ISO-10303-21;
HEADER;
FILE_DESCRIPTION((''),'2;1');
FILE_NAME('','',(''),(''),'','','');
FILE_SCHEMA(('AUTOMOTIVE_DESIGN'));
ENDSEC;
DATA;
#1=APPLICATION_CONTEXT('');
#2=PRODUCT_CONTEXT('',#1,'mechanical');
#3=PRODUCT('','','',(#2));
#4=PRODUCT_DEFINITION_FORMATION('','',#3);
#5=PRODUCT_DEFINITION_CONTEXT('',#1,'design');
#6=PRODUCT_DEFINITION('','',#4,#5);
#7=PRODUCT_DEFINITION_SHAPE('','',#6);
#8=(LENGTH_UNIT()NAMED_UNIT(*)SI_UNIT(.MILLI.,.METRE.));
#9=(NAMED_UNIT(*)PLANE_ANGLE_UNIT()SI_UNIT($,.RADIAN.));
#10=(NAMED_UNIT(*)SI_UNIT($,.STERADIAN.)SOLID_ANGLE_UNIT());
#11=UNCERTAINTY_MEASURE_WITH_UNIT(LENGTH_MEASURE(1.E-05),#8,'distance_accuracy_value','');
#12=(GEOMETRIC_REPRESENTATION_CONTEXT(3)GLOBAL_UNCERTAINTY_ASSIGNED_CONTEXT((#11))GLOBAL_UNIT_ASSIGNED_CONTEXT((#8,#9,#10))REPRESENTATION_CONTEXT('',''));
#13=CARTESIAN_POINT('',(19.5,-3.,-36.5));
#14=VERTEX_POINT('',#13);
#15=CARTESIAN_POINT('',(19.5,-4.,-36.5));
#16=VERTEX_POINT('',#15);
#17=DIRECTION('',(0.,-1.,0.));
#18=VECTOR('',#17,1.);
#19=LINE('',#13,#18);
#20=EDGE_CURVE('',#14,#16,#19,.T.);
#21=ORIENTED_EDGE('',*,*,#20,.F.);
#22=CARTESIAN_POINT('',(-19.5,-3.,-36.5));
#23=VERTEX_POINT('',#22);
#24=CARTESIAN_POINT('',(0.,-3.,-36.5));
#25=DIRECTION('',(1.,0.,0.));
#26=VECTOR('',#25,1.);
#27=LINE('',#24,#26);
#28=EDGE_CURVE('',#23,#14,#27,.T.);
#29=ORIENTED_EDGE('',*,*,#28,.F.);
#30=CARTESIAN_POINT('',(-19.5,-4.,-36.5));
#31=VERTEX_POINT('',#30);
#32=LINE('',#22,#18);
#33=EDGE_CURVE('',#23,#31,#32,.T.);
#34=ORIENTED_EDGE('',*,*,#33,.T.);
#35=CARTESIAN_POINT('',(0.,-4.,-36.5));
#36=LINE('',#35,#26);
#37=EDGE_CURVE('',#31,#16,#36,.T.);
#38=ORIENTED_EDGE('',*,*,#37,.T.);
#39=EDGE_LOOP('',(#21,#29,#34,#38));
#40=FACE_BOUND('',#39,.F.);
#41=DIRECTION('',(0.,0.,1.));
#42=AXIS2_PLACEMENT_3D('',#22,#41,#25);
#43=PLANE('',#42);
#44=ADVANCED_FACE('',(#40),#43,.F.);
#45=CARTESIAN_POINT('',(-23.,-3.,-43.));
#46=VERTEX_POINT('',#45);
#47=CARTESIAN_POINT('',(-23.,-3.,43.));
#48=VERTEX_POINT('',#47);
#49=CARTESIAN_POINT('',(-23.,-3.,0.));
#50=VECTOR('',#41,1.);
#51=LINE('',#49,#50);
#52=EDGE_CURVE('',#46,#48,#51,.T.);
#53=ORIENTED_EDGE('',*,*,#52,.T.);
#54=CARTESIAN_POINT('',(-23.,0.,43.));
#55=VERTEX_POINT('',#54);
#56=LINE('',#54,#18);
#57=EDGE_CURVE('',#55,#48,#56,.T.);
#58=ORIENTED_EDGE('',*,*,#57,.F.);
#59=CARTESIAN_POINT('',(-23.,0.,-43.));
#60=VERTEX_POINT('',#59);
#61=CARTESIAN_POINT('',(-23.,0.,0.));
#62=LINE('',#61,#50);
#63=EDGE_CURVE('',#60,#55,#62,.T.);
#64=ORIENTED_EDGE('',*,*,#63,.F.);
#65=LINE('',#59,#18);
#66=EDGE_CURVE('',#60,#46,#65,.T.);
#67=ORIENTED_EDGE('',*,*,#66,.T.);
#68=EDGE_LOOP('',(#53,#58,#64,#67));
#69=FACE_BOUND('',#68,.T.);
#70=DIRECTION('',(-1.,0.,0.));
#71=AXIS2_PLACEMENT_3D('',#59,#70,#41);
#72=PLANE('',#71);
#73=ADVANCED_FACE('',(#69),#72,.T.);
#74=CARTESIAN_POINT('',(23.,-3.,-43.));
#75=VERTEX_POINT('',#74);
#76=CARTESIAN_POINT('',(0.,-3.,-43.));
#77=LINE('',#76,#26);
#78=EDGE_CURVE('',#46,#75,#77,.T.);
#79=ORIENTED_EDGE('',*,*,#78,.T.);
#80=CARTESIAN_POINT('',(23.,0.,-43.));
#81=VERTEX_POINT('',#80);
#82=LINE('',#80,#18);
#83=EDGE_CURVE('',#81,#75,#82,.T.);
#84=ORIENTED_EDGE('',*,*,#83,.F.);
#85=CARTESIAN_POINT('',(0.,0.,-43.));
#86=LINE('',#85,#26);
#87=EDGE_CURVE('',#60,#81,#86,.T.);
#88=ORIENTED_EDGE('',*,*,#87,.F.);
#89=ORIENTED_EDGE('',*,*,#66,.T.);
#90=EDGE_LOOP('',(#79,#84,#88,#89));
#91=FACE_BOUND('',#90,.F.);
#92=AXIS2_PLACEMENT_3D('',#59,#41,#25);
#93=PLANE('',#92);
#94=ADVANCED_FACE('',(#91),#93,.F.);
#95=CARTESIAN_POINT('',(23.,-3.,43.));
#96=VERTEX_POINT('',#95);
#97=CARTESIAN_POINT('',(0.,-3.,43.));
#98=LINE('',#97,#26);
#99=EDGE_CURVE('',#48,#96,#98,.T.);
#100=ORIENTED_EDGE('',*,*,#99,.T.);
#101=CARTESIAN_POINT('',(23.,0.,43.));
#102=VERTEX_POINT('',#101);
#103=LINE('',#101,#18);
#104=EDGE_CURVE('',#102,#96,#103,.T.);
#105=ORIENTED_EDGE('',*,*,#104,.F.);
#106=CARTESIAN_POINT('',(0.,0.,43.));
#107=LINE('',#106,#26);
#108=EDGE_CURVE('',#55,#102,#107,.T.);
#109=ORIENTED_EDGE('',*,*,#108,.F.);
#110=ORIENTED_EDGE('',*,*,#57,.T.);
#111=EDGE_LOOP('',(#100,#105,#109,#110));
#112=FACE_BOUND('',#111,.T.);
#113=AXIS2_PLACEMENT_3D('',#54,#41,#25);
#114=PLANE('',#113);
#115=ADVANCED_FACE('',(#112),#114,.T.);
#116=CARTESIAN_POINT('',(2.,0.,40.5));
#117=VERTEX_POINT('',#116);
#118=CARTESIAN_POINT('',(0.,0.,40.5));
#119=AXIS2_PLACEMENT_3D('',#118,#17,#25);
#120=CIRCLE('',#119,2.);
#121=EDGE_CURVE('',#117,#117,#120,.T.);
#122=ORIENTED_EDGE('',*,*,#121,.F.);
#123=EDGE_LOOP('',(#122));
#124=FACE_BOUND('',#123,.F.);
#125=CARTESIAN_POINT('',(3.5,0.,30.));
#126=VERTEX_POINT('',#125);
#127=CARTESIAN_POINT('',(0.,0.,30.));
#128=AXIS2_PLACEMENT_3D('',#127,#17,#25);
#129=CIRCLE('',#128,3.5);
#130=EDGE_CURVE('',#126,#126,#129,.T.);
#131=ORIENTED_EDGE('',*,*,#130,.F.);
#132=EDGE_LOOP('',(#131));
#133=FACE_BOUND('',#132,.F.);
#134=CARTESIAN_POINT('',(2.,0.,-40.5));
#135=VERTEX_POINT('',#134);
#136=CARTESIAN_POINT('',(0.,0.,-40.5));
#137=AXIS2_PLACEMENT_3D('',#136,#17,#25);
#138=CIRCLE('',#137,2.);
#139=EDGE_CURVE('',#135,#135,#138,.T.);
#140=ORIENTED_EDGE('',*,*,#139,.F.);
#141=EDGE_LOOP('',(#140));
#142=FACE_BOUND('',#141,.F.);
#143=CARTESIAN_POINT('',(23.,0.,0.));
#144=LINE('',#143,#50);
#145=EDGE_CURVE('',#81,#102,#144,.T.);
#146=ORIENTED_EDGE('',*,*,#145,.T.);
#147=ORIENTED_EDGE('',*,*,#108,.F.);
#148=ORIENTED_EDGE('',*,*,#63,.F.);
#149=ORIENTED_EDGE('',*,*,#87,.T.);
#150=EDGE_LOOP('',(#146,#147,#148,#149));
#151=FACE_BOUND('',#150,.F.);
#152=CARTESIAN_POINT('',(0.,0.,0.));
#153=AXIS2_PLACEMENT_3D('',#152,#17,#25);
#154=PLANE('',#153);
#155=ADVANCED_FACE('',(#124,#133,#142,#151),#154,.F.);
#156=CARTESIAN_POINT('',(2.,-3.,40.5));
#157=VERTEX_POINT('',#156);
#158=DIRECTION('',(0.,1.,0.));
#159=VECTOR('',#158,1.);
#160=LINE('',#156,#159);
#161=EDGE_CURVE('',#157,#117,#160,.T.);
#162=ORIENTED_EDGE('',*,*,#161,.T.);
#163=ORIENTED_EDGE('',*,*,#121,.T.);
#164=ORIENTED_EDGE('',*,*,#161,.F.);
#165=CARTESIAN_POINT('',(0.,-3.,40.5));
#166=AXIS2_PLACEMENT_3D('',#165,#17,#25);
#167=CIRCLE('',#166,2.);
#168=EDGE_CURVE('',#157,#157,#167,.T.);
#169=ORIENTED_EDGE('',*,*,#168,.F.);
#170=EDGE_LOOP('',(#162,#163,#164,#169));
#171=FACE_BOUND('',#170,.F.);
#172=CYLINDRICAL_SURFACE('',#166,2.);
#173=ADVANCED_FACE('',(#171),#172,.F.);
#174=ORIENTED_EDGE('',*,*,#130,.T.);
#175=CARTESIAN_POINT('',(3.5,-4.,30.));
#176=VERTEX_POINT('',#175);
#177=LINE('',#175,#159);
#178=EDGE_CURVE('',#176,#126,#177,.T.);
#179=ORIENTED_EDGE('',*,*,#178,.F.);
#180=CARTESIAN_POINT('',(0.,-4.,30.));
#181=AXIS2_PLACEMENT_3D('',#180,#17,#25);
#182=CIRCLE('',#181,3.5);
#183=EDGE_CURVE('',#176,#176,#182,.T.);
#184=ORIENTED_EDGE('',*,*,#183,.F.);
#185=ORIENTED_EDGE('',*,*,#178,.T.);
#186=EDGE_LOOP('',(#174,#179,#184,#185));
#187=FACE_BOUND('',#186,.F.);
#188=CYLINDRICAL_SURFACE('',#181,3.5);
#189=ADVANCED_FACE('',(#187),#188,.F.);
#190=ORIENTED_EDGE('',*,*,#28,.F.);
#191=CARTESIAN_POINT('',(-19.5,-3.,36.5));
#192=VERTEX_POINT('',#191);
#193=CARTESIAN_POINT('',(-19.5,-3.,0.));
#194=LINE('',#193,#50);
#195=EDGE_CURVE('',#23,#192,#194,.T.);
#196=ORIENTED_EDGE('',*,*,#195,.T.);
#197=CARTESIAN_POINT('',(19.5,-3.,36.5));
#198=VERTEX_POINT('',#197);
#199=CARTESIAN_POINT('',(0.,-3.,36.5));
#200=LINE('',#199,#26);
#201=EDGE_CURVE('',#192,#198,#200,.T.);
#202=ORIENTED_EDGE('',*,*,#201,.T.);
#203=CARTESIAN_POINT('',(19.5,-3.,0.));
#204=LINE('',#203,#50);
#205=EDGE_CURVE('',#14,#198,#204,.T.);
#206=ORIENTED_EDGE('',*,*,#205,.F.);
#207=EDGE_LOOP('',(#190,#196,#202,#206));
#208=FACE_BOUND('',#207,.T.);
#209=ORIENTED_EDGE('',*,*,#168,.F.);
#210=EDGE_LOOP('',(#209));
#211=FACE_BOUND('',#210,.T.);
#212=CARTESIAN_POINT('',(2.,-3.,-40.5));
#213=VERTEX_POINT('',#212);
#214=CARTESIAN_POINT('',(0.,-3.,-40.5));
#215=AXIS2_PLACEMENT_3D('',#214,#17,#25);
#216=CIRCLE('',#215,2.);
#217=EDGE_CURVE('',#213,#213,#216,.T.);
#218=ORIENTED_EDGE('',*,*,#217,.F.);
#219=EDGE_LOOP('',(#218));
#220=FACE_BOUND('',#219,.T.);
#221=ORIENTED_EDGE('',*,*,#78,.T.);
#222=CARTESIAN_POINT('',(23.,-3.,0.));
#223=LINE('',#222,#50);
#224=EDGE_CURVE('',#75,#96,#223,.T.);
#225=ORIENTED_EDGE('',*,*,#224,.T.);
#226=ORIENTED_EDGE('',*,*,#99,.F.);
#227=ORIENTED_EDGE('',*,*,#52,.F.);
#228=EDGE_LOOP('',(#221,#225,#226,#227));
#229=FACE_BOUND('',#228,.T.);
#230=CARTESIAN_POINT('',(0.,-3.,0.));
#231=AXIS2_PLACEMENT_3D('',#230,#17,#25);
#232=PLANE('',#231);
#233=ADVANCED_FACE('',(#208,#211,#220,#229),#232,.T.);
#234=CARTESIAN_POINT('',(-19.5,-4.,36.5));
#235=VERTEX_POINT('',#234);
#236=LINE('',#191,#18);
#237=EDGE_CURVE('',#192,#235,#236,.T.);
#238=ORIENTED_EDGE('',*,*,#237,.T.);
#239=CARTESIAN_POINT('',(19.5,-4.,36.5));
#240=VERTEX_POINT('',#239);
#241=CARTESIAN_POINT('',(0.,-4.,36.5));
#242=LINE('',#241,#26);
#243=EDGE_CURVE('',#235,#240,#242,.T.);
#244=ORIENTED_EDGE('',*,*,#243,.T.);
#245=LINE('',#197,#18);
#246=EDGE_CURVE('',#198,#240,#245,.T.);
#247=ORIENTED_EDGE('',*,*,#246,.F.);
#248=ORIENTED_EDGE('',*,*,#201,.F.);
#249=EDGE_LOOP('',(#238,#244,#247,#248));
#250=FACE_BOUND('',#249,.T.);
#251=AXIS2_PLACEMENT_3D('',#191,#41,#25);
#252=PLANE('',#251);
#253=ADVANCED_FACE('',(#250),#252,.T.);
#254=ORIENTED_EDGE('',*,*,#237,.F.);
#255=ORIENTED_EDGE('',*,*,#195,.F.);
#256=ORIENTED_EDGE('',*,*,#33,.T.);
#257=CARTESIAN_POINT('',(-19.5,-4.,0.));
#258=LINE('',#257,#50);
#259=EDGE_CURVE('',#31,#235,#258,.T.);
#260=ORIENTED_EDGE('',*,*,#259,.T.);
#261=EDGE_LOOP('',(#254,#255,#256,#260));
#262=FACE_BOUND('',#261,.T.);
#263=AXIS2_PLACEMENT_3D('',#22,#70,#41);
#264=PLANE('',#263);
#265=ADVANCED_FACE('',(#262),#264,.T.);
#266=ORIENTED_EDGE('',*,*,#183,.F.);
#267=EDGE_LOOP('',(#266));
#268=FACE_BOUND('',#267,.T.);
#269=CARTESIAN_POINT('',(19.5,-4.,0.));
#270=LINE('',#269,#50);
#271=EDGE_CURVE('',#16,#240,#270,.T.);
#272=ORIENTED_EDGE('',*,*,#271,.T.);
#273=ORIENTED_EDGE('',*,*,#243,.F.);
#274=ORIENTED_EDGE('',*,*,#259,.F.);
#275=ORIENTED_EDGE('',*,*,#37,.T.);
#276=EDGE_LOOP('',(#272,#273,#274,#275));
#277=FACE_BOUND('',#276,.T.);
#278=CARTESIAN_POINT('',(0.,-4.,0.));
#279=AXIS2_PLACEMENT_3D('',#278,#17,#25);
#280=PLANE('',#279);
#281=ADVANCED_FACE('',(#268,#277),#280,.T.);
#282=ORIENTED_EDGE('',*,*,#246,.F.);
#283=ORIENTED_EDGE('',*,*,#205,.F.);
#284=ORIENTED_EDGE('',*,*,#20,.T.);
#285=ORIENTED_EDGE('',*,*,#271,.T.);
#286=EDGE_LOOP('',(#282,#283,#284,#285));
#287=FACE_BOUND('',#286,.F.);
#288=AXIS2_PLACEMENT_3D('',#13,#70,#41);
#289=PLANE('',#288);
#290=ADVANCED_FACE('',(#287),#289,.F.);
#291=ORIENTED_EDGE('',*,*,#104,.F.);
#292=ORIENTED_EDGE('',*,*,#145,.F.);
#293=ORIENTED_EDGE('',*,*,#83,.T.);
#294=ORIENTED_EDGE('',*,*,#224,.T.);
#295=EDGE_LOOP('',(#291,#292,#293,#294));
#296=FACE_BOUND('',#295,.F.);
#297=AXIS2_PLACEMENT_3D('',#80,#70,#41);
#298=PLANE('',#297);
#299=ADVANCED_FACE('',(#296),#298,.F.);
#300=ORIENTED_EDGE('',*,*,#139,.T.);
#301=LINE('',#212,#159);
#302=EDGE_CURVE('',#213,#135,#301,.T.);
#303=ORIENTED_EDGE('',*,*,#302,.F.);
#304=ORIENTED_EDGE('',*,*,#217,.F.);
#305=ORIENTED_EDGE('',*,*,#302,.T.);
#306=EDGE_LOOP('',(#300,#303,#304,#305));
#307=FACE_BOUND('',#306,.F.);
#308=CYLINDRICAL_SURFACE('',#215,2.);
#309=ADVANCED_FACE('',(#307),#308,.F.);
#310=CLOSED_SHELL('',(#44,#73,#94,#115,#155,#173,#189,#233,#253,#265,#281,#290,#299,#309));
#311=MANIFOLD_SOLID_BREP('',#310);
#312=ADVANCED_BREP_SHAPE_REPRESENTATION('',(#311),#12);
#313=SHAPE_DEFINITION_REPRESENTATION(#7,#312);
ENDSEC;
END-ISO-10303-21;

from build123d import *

# Parameters (mm, degrees)
F0_W     = 46
F0_H     = 86
F1_DEPTH = 3
F2_W     = 39
F2_H     = 73
F3_DEPTH = 1
F4_R     = 2
F5_DEPTH = 3
F6_R     = 3.5
F7_DEPTH = 4


with BuildPart() as f1:
    # F0 (on Front) → F1 (new body)
    with BuildSketch(Plane.XZ):
        Rectangle(F0_W, F0_H)
    extrude(amount=F1_DEPTH)

    # F2 (on face) → F3 (join)
    with BuildSketch(Plane.XZ.offset(3)):
        Rectangle(F2_W, F2_H)
    extrude(amount=F3_DEPTH)

    # F4 (on face) → F5 (cut)
    with BuildSketch(Plane.XZ.offset(3)):
        with Locations((0, 40.5)):
            Circle(F4_R)
        with Locations((0, -40.5)):
            Circle(F4_R)
    extrude(amount=-F5_DEPTH, mode=Mode.SUBTRACT)

    # F6 (on face) → F7 (cut)
    with BuildSketch(Plane.XZ.offset(4)):
        with Locations((0, 30)):
            Circle(F6_R)
    extrude(amount=-F7_DEPTH, mode=Mode.SUBTRACT)


solid = f1.part
